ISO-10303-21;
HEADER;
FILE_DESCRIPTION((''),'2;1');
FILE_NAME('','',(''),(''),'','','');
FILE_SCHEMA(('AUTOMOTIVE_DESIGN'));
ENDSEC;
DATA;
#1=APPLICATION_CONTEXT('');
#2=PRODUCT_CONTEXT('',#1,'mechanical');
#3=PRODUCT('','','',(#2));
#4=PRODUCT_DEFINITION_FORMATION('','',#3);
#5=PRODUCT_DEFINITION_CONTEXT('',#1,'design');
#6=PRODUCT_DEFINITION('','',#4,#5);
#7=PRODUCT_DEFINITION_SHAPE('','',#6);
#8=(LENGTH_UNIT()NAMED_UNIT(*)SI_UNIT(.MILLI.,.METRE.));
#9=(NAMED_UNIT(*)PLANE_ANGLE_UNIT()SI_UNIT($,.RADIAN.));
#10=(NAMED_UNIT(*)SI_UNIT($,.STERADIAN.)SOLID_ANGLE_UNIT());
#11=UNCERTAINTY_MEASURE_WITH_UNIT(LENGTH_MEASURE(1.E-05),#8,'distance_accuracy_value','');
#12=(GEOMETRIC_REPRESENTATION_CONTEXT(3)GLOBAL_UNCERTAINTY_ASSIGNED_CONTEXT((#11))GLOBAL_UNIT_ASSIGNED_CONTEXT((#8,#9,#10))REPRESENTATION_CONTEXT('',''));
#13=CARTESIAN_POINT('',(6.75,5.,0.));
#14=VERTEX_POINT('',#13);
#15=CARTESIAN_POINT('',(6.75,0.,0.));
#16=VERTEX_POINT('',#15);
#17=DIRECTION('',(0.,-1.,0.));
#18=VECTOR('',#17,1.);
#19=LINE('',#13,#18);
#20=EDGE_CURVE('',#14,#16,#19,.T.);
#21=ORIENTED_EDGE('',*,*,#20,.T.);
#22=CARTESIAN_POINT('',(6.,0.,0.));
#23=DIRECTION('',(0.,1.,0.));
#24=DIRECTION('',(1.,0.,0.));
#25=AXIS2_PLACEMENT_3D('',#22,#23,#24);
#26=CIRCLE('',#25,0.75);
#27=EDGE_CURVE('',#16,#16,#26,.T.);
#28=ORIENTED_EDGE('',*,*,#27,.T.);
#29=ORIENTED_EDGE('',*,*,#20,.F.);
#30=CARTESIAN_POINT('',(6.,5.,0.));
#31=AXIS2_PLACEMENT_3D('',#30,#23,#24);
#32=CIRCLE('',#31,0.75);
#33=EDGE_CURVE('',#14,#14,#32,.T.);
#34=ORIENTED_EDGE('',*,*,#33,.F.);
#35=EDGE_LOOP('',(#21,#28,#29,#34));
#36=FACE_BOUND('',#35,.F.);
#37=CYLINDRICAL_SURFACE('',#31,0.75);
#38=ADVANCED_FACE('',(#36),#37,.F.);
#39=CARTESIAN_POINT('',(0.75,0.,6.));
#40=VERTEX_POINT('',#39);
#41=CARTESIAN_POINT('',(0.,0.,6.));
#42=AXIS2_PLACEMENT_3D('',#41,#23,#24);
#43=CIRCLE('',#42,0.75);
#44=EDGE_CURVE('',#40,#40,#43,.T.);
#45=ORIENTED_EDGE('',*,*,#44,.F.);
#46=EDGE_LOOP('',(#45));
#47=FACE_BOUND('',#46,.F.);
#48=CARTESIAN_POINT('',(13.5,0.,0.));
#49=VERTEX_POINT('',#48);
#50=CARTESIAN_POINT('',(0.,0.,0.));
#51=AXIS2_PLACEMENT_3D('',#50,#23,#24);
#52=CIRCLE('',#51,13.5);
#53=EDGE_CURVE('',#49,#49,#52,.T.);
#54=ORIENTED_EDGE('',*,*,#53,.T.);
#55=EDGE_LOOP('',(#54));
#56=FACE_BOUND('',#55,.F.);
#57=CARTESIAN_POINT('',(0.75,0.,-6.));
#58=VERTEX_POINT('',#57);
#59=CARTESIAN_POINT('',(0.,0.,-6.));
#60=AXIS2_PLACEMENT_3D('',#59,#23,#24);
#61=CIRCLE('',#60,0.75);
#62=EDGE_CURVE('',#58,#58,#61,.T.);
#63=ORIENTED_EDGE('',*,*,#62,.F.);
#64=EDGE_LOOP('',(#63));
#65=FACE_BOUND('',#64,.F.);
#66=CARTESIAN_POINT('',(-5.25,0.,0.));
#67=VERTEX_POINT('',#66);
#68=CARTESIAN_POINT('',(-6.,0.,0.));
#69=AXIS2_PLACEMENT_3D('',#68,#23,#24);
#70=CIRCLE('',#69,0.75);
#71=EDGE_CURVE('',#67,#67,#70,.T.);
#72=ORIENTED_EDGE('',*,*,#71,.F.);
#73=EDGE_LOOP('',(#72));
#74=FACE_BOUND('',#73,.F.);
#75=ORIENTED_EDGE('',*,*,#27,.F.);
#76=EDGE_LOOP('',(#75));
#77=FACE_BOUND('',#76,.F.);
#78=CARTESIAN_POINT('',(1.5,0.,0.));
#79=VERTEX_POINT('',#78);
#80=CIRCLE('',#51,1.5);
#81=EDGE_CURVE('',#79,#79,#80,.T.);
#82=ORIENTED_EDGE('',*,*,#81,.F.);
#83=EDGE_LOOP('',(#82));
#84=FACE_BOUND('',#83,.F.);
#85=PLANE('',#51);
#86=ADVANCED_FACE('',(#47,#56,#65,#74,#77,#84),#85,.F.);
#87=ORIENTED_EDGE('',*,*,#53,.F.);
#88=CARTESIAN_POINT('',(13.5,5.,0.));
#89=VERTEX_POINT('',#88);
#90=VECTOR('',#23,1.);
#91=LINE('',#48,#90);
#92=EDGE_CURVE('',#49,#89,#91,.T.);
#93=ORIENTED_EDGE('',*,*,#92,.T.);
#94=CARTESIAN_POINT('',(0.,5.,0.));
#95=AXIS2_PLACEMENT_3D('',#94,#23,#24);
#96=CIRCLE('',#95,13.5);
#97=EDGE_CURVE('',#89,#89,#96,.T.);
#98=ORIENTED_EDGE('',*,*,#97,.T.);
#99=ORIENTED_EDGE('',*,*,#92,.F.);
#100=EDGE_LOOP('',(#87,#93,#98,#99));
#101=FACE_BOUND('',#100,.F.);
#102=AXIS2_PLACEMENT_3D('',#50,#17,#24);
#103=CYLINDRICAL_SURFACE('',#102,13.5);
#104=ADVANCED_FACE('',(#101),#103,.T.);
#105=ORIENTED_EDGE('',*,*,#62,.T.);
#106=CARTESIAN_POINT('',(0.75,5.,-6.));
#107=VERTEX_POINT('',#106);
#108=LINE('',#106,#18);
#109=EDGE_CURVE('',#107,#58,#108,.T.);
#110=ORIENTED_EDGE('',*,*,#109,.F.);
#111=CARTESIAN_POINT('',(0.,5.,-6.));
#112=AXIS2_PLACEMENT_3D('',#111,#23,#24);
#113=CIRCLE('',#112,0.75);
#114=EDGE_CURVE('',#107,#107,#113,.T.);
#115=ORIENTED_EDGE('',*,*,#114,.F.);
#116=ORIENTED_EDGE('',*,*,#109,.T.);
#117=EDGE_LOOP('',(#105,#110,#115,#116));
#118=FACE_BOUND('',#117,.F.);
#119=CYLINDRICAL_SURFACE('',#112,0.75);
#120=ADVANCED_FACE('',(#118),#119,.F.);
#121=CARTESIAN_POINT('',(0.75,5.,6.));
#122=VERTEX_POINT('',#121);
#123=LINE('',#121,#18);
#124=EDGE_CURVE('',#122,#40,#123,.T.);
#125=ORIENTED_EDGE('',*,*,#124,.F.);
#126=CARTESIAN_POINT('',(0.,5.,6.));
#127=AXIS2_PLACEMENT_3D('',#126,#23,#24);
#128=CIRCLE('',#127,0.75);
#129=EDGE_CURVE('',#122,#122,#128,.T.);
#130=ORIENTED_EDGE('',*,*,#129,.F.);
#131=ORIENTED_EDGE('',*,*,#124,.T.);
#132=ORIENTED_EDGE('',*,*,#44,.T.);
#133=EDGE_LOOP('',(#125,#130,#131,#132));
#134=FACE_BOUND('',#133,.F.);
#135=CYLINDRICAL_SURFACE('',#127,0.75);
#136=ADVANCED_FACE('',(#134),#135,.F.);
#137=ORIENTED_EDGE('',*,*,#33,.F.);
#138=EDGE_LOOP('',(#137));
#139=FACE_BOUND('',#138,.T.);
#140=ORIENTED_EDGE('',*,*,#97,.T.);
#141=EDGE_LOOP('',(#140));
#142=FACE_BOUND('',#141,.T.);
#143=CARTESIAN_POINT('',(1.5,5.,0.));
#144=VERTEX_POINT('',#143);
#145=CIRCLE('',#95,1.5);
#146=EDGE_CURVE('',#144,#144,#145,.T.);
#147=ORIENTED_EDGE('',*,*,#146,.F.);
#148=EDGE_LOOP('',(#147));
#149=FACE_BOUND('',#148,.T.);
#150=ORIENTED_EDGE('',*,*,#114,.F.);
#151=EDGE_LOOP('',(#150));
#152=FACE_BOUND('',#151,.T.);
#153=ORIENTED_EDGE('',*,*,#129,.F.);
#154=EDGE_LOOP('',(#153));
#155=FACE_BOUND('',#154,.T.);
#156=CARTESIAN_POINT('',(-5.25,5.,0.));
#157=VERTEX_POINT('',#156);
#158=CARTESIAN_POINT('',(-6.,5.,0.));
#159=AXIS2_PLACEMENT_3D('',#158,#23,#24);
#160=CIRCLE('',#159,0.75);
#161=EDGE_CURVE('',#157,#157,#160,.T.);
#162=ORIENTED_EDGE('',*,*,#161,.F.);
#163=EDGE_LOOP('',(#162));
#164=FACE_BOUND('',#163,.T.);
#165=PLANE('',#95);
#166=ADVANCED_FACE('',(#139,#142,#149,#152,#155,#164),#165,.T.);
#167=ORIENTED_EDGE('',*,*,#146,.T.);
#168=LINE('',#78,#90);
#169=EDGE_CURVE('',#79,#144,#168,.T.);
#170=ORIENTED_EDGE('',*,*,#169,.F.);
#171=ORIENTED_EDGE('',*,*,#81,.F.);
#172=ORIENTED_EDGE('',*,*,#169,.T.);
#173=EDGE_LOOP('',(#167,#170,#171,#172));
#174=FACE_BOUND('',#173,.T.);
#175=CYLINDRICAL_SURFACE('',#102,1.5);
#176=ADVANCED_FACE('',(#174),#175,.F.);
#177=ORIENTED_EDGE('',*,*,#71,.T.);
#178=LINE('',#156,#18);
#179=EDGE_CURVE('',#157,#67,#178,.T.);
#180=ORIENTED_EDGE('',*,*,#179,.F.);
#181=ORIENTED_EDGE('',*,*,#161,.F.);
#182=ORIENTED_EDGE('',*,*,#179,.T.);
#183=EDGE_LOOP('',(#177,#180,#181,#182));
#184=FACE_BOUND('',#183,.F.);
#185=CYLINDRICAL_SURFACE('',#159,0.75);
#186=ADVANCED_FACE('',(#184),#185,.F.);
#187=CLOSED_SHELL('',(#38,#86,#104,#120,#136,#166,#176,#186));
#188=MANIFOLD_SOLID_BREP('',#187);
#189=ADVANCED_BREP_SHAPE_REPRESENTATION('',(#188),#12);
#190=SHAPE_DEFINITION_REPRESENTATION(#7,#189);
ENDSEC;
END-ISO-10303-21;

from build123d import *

# Parameters (mm, degrees)
SKETCH1_R           = 13.5
SKETCH1_R_2         = 1.5
BOSS_EXTRUDE2_DEPTH = 5
SKETCH2_R           = 0.75
CUT_EXTRUDE1_DEPTH  = 34


with BuildPart() as part:
    # Sketch1 → Boss-Extrude2 (new body)
    with BuildSketch(Plane(origin=(0, 0, 0), x_dir=(1, 0, 0), z_dir=(0, 1, 0))):
        Circle(SKETCH1_R)
        Circle(SKETCH1_R_2, mode=Mode.SUBTRACT)
    extrude(amount=BOSS_EXTRUDE2_DEPTH)

    # Sketch2 → Cut-Extrude1 (cut)
    with BuildSketch(Plane(origin=(0, 5, 0), x_dir=(1, 0, 0), z_dir=(0, 1, 0))):
        with Locations((6, 0)):
            Circle(SKETCH2_R)
        with Locations((0, -6)):
            Circle(SKETCH2_R)
        with Locations((-6, 0)):
            Circle(SKETCH2_R)
        with Locations((0, 6)):
            Circle(SKETCH2_R)
    extrude(amount=-CUT_EXTRUDE1_DEPTH, mode=Mode.SUBTRACT)


solid = part.part
